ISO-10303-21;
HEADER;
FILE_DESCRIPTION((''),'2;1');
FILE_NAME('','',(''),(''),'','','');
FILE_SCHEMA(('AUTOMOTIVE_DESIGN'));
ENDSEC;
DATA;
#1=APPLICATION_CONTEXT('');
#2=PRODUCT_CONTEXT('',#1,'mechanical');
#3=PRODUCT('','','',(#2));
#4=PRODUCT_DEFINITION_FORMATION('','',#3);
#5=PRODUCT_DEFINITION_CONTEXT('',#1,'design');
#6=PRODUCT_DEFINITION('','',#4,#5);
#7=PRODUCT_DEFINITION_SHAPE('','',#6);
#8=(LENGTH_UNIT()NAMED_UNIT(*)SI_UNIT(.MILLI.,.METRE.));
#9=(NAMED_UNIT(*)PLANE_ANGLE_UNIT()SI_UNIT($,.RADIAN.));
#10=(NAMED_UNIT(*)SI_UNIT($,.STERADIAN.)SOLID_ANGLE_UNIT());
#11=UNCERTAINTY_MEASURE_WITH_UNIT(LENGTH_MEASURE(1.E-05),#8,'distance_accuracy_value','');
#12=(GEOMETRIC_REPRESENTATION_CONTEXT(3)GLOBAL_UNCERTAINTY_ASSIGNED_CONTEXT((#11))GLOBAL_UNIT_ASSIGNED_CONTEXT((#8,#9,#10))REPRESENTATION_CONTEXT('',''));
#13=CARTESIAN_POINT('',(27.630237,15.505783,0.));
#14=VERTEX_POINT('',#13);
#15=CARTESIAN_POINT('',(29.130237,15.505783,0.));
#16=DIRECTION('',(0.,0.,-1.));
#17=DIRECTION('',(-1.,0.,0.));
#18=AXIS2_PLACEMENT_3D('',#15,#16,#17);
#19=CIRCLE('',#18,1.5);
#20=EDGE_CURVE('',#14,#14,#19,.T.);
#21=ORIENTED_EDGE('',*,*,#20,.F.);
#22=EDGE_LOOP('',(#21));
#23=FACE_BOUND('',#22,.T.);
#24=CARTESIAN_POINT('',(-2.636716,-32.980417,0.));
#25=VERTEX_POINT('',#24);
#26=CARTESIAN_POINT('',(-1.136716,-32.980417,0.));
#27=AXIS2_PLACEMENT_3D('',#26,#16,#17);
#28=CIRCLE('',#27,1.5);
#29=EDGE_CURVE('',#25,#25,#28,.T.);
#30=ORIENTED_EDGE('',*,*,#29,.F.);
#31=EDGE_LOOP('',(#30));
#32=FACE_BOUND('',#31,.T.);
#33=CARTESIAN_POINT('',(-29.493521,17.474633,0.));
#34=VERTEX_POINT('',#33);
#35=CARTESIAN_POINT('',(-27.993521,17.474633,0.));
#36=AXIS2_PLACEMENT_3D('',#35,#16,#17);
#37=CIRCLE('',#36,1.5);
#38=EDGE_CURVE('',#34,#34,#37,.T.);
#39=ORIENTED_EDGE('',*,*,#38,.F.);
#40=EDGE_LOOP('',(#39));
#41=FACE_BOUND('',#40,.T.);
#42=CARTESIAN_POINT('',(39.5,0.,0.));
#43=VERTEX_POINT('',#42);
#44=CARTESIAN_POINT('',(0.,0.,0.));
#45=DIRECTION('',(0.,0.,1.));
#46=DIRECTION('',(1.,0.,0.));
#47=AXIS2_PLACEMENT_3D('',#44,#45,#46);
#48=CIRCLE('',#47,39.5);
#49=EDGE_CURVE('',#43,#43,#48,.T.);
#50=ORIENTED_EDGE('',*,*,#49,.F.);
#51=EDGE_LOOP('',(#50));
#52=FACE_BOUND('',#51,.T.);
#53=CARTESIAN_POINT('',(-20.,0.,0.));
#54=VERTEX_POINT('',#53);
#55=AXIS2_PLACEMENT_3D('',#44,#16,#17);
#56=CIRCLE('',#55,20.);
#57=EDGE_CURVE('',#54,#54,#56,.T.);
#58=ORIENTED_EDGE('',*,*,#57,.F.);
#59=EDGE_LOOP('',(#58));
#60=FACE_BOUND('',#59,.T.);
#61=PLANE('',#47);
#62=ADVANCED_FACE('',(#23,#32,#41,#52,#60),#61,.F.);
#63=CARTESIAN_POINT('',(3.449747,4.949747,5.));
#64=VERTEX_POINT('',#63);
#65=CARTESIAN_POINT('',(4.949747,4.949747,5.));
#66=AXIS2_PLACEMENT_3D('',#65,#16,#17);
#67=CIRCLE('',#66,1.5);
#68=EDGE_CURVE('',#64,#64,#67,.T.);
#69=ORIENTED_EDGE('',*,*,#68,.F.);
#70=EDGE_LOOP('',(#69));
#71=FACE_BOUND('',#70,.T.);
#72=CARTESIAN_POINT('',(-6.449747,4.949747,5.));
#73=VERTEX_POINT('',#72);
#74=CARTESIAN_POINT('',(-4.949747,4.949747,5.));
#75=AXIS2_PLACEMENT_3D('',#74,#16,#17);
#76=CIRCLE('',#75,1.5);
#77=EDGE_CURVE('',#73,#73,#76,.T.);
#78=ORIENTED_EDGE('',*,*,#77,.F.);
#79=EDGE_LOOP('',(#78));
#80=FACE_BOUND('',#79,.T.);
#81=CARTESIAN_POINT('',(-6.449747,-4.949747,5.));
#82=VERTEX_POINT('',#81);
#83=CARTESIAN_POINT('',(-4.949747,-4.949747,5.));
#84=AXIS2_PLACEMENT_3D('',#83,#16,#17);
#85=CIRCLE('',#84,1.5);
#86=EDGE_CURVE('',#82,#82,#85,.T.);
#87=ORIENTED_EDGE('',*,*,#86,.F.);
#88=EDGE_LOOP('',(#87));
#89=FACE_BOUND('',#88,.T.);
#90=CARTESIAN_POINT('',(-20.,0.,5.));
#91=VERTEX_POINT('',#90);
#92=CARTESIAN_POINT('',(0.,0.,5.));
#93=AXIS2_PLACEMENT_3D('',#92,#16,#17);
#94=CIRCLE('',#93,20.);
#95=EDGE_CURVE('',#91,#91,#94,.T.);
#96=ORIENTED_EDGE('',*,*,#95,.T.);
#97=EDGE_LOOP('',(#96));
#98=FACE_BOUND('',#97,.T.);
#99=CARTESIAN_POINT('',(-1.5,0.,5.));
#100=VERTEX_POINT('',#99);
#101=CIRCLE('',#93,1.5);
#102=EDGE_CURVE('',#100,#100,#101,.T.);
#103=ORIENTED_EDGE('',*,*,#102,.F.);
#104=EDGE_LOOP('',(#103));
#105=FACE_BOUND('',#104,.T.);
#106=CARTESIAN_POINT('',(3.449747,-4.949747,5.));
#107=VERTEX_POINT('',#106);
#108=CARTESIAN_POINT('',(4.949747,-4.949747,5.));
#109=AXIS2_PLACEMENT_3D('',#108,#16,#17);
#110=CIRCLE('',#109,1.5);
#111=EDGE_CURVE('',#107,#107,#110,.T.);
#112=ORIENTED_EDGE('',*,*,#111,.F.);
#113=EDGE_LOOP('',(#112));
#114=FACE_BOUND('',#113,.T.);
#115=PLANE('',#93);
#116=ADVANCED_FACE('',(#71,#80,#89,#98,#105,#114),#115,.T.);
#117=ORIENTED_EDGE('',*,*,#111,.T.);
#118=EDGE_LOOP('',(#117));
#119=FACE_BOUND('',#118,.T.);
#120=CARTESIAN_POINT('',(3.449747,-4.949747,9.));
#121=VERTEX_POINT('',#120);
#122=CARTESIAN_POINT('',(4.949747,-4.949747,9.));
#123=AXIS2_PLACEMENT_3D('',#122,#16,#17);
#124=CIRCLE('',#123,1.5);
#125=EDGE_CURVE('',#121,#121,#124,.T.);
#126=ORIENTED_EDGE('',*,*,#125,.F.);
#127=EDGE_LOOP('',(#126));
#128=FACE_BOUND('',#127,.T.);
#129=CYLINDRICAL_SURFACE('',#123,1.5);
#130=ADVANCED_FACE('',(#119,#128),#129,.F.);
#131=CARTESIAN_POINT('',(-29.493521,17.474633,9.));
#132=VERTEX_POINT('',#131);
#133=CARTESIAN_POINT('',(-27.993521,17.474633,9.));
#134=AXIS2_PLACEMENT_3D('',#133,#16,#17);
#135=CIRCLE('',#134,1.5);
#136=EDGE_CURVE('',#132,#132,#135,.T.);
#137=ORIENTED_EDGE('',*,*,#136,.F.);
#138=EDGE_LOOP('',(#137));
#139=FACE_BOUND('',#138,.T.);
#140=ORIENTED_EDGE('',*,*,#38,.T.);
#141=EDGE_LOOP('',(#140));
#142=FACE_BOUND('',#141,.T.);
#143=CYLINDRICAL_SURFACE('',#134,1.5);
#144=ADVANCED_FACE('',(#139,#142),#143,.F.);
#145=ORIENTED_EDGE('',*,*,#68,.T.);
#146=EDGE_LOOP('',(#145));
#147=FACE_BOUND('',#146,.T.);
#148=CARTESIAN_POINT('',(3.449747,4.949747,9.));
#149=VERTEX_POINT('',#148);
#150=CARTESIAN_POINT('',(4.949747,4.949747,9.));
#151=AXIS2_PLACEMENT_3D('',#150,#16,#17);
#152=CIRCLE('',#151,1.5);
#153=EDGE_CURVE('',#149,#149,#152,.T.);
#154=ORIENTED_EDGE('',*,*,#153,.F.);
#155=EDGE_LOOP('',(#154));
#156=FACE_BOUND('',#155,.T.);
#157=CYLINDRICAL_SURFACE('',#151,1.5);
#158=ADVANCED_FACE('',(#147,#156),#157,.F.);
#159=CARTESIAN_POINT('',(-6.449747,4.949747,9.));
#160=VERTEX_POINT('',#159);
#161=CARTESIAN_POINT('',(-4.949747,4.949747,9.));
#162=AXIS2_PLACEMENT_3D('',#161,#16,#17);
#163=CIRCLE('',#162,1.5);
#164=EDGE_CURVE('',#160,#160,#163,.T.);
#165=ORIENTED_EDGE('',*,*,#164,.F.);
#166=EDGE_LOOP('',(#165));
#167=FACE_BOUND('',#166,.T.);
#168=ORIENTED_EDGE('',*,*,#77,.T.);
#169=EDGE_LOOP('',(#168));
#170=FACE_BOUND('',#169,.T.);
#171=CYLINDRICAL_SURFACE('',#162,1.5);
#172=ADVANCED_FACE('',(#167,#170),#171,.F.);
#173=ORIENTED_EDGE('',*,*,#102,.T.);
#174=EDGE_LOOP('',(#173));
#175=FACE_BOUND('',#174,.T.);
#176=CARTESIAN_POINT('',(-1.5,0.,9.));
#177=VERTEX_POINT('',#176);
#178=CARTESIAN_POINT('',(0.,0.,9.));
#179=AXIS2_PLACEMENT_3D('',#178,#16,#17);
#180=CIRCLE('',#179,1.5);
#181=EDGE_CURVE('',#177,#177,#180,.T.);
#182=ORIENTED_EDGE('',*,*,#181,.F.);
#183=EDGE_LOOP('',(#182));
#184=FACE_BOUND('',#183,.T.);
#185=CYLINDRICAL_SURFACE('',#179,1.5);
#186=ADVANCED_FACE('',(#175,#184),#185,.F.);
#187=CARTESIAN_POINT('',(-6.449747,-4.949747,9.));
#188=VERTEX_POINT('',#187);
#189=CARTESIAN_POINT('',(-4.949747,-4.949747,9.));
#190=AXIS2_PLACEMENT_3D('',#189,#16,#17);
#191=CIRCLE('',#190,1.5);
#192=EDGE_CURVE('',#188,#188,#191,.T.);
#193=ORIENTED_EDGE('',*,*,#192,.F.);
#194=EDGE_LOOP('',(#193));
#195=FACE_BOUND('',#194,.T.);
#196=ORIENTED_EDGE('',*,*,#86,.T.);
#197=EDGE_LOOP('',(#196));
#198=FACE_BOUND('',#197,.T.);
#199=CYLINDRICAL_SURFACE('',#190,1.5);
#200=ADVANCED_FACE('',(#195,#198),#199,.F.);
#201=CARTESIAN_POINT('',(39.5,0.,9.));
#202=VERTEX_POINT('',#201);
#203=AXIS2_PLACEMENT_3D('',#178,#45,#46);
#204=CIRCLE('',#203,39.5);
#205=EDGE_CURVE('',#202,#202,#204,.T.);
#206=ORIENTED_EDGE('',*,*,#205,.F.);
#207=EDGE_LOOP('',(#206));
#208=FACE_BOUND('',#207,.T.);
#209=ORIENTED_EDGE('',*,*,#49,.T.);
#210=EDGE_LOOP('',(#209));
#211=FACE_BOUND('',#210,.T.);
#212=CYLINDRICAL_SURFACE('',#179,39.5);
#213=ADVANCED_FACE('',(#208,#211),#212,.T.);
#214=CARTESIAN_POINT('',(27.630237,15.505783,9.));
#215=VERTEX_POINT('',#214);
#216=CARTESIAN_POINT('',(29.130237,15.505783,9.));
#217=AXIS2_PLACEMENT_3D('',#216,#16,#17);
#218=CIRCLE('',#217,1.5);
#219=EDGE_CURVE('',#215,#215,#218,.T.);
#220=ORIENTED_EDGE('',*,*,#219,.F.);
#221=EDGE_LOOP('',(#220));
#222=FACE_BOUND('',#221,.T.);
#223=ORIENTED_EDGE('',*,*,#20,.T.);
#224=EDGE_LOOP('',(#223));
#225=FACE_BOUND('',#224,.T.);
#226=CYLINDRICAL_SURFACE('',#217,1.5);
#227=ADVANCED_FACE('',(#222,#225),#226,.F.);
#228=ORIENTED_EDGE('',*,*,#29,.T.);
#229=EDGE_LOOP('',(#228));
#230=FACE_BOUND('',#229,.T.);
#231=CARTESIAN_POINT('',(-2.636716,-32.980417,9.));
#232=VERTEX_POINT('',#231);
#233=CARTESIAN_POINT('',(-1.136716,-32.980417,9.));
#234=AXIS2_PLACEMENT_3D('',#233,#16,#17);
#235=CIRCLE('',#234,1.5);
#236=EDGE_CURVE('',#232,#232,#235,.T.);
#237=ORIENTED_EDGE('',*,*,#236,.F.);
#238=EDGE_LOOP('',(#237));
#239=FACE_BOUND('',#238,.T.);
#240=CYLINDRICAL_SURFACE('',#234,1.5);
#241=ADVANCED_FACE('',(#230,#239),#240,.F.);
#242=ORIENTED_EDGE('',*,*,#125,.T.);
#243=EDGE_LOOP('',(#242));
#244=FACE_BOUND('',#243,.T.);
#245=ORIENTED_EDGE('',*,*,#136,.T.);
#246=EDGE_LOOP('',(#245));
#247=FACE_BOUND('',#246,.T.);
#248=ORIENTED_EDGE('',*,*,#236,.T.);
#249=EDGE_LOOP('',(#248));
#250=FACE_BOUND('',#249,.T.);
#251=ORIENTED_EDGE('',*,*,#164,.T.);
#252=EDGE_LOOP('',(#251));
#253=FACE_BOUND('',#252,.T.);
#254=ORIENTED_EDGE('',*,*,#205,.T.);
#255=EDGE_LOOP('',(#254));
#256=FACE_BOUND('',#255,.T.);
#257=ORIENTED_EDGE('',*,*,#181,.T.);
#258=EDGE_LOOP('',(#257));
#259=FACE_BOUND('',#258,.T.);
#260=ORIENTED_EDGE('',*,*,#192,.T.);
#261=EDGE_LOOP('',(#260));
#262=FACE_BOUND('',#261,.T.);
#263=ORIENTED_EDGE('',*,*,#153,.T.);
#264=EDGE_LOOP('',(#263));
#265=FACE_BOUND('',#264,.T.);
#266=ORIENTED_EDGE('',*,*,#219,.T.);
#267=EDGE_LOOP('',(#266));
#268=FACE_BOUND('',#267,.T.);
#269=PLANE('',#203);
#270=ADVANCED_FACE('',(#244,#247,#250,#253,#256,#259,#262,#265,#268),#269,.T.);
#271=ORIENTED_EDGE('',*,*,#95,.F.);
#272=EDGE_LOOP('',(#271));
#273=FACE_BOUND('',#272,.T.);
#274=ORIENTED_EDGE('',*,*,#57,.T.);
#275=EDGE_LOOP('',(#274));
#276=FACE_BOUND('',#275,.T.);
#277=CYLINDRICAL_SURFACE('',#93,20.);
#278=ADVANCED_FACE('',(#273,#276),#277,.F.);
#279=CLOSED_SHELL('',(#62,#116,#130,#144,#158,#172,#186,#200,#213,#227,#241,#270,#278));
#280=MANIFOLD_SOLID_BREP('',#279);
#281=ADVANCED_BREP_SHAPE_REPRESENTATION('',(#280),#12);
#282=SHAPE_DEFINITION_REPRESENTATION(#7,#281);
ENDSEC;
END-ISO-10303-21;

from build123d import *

# Parameters (mm, degrees)
SKETCH_1_R          = 39.5
EXTRUDE_1_DEPTH     = 9
SKETCH_2_R          = 20
CUT_EXTRUDE_1_DEPTH = 5
SKETCH_3_R          = 1.5
CUT_EXTRUDE_2_DEPTH = 57.581799194
SKETCH_4_R          = 1.5
CUT_EXTRUDE_3_DEPTH = 57.084757288


with BuildPart() as part:
    # 草图1 → 凸台-拉伸1 (new body)
    with BuildSketch(Plane.XY):
        Circle(SKETCH_1_R)
    extrude(amount=EXTRUDE_1_DEPTH)

    # 草图2 → 切除-拉伸1 (cut)
    with BuildSketch(Plane(origin=(0, 0, 0), x_dir=(-1, 0, 0), z_dir=(0, 0, -1))):
        Circle(SKETCH_2_R)
    extrude(amount=-CUT_EXTRUDE_1_DEPTH, mode=Mode.SUBTRACT)

    # 草图3 → 切除-拉伸2 (cut, through all)
    with BuildSketch(Plane(origin=(0, 0, 0), x_dir=(-1, 0, 0), z_dir=(0, 0, -1))):
        with Locations((1.136716128, -32.98041656)):
            Circle(SKETCH_3_R)
        with Locations((-29.130236632, 15.505783236)):
            Circle(SKETCH_3_R)
        with Locations((27.993520504, 17.474633324)):
            Circle(SKETCH_3_R)
    extrude(amount=-CUT_EXTRUDE_2_DEPTH, mode=Mode.SUBTRACT)

    # 草图4 → 切除-拉伸3 (cut, through all)
    with BuildSketch(Plane(origin=(0, 0, 5), x_dir=(-1, 0, 0), z_dir=(0, 0, -1))):
        Circle(SKETCH_4_R)
        with Locations((-4.949747468, 4.949747468)):
            Circle(SKETCH_4_R)
        with Locations((4.949747468, 4.949747468)):
            Circle(SKETCH_4_R)
        with Locations((4.949747468, -4.949747468)):
            Circle(SKETCH_4_R)
        with Locations((-4.949747468, -4.949747468)):
            Circle(SKETCH_4_R)
    extrude(amount=-CUT_EXTRUDE_3_DEPTH, mode=Mode.SUBTRACT)


solid = part.part
